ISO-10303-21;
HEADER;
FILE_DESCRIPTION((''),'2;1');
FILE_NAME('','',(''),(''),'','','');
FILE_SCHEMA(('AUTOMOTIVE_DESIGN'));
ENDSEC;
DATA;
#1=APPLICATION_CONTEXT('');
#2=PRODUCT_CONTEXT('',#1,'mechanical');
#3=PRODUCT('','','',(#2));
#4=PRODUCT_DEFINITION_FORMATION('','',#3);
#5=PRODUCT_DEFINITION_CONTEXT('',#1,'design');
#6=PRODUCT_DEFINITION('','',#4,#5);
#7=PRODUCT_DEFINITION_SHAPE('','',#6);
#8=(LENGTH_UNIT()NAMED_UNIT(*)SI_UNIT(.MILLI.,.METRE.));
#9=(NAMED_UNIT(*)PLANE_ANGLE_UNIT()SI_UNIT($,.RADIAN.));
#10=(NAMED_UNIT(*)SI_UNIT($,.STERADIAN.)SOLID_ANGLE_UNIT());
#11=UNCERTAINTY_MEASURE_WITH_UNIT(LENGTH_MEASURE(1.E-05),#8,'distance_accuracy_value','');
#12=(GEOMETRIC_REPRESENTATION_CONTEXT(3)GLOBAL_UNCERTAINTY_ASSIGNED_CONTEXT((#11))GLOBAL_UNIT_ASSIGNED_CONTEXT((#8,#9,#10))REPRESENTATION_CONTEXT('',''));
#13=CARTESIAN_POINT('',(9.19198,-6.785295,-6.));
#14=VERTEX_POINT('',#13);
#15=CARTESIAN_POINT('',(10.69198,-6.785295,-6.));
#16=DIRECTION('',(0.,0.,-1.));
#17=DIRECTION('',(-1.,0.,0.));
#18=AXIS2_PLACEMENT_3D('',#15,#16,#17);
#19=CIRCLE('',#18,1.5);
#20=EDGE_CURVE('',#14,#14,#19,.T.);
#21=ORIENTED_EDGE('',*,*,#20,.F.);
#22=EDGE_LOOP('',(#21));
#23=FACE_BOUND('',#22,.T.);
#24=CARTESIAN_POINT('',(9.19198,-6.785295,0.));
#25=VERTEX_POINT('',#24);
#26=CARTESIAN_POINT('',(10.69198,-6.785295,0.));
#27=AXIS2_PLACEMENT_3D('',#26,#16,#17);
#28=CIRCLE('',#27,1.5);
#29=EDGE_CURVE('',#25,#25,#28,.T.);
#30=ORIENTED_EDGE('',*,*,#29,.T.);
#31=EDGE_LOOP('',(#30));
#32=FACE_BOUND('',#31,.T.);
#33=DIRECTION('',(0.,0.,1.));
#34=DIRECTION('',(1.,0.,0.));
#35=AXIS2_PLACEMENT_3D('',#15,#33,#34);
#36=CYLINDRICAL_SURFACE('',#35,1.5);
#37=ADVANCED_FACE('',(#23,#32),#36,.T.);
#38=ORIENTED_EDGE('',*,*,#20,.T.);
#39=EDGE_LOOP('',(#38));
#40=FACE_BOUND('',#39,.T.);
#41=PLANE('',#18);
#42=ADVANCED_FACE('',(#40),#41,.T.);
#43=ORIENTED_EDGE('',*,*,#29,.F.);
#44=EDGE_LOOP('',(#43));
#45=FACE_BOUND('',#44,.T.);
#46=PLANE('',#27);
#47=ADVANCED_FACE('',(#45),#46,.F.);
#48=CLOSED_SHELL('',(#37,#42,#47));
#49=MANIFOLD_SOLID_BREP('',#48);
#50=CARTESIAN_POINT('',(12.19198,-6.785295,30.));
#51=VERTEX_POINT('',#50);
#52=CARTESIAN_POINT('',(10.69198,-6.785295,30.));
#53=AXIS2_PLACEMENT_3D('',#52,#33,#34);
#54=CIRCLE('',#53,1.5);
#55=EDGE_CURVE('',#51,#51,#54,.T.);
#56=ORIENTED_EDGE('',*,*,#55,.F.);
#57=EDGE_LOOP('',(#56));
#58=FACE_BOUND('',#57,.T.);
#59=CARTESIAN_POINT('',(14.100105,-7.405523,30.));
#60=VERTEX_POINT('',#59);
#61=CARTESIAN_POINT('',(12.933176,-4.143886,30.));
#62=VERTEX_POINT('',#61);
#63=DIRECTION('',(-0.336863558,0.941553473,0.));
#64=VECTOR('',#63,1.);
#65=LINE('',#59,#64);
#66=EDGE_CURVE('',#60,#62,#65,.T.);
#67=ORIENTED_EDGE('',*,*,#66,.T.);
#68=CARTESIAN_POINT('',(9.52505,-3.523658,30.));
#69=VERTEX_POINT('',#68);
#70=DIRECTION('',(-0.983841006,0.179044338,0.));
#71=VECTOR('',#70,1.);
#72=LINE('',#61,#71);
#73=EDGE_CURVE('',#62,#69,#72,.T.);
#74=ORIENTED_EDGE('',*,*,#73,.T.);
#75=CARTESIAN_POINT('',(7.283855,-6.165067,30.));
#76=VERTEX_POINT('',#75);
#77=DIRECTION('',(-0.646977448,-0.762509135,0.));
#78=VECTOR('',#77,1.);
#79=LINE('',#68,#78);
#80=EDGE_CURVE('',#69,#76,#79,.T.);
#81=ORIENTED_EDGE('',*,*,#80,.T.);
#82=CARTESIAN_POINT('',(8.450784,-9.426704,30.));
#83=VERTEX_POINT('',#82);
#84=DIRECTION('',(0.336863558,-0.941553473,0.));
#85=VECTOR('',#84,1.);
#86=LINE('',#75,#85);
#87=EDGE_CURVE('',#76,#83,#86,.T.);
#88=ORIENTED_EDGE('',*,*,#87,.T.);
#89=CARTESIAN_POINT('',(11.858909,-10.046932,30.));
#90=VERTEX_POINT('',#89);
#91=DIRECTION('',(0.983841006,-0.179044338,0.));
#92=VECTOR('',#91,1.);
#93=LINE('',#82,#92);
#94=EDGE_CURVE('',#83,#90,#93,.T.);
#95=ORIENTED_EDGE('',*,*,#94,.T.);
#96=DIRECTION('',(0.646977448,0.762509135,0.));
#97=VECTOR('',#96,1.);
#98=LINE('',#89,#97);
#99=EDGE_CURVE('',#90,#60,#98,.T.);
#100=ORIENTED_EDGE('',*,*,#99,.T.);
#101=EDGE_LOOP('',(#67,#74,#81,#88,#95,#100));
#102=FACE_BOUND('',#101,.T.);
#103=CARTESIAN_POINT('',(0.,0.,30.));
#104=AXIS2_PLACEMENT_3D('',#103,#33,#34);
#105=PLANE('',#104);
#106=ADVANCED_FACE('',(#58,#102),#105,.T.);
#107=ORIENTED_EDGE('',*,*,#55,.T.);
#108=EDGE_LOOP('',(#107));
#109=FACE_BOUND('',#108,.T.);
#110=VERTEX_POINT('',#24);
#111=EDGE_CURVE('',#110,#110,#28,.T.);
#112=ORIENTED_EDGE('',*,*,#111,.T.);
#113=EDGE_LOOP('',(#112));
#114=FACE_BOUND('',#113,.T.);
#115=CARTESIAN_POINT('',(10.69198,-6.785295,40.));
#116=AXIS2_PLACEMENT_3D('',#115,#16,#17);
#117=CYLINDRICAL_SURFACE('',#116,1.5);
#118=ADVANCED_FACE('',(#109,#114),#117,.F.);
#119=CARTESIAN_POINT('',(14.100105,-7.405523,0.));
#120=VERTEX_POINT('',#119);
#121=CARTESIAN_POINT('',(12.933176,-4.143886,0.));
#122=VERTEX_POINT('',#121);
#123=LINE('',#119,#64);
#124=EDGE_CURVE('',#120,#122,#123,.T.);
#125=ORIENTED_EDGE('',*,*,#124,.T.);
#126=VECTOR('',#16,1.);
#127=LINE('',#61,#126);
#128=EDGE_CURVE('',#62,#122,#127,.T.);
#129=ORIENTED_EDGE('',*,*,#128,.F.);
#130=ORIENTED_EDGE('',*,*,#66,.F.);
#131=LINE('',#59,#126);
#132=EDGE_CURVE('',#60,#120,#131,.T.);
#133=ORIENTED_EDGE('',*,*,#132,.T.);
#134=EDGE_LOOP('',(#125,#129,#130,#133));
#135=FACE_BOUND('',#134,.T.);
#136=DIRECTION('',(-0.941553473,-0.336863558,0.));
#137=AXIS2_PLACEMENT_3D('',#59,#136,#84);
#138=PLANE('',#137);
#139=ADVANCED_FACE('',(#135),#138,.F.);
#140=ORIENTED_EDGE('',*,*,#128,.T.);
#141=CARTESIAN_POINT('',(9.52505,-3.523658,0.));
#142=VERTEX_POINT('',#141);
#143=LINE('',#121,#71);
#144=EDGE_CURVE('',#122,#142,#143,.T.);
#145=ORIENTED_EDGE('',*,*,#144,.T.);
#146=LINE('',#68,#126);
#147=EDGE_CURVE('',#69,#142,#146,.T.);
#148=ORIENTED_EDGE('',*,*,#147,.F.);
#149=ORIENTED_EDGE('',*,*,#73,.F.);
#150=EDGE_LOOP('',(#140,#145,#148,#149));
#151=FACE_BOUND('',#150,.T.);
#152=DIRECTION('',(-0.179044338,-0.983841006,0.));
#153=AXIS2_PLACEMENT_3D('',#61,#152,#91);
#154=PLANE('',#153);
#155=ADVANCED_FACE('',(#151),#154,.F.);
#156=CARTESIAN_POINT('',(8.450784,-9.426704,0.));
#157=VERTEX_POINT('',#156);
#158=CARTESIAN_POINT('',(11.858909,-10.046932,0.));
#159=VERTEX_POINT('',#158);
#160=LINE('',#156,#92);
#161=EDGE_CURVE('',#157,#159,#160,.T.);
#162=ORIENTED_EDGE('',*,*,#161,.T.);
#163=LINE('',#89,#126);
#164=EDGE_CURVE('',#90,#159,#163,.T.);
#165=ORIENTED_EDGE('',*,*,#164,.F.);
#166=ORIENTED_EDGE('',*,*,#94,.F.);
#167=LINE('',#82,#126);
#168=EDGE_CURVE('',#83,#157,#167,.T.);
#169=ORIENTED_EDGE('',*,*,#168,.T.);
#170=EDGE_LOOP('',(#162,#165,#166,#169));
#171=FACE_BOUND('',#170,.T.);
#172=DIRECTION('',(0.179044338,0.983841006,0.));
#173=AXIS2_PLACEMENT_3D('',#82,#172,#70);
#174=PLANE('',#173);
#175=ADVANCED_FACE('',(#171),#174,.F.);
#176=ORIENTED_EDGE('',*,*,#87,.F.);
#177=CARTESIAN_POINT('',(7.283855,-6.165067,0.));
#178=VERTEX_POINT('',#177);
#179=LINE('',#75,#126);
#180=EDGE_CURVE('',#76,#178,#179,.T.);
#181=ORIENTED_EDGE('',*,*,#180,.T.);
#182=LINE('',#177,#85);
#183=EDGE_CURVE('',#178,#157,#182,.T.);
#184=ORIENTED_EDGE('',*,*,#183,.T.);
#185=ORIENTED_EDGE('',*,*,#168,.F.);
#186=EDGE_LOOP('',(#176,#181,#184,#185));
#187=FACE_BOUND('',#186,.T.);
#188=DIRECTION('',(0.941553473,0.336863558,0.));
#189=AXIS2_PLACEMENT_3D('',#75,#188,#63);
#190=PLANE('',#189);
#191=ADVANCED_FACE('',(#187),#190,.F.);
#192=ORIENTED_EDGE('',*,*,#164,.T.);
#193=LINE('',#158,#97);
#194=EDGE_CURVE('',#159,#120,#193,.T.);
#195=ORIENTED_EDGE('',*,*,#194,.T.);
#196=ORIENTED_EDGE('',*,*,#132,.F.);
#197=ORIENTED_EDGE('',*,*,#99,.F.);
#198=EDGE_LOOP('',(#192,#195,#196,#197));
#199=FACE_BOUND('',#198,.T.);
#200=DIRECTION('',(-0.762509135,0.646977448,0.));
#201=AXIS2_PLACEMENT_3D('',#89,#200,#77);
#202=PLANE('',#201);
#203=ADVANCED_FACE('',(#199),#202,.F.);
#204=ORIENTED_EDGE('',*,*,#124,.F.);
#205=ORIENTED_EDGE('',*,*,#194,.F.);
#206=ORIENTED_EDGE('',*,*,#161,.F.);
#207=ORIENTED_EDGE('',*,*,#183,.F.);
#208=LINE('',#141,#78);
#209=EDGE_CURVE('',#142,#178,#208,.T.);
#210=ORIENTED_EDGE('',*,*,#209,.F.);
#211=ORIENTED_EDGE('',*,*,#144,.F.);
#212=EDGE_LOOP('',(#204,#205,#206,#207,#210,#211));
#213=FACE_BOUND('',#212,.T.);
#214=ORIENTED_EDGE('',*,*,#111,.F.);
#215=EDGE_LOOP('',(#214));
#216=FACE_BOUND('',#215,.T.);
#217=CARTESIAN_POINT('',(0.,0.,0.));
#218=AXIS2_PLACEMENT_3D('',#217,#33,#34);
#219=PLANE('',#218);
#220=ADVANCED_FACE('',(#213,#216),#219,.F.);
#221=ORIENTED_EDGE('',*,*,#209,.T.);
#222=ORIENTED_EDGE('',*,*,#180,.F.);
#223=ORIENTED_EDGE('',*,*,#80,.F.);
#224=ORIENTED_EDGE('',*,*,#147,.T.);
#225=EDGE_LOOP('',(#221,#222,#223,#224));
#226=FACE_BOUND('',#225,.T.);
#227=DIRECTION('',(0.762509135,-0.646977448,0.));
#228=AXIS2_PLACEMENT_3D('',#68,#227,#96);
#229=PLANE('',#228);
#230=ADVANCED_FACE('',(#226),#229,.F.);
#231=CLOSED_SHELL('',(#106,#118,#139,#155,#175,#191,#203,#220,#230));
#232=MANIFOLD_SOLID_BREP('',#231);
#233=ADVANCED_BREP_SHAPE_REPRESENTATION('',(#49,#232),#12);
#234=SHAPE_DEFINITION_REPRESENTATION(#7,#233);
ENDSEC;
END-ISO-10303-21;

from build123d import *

# Parameters (mm, degrees)
RESSALTO_EXTRUS_O1_DEPTH = 30
ESBO_O4_R                = 1.5
CORTE_EXTRUS_O2_DEPTH    = 40
ESBO_O6_R                = 1.5
RESSALTO_EXTRUS_O2_DEPTH = 6


with BuildPart() as part:
    # Esboço1 → Ressalto-extrusão1 (new body)
    with BuildSketch(Plane.XY):
        Polygon((12.933175524, -4.143885809), (9.525050306, -3.523658029), (7.283854683, -6.165067156), (8.450784277, -9.426704064), (11.858909495, -10.046931845), (14.100105118, -7.405522718), align=None)
    extrude(amount=RESSALTO_EXTRUS_O1_DEPTH)

    # Esboço4 → Corte-extrusão2 (cut)
    with BuildSketch(Plane(origin=(0, 0, 0), x_dir=(-1, 0, 0), z_dir=(0, 0, -1))):
        with Locations((-10.691979901, -6.785294937)):
            Circle(ESBO_O4_R)
    extrude(amount=-CORTE_EXTRUS_O2_DEPTH, mode=Mode.SUBTRACT)


with BuildPart() as body_2:
    # Esboço6 → Ressalto-extrusão2 (new body)
    with BuildSketch(Plane(origin=(0, 0, 0), x_dir=(-1, 0, 0), z_dir=(0, 0, -1))):
        with Locations((-10.691979901, -6.785294937)):
            Circle(ESBO_O6_R)
    extrude(amount=RESSALTO_EXTRUS_O2_DEPTH)


solid = Compound([part.part, body_2.part])
